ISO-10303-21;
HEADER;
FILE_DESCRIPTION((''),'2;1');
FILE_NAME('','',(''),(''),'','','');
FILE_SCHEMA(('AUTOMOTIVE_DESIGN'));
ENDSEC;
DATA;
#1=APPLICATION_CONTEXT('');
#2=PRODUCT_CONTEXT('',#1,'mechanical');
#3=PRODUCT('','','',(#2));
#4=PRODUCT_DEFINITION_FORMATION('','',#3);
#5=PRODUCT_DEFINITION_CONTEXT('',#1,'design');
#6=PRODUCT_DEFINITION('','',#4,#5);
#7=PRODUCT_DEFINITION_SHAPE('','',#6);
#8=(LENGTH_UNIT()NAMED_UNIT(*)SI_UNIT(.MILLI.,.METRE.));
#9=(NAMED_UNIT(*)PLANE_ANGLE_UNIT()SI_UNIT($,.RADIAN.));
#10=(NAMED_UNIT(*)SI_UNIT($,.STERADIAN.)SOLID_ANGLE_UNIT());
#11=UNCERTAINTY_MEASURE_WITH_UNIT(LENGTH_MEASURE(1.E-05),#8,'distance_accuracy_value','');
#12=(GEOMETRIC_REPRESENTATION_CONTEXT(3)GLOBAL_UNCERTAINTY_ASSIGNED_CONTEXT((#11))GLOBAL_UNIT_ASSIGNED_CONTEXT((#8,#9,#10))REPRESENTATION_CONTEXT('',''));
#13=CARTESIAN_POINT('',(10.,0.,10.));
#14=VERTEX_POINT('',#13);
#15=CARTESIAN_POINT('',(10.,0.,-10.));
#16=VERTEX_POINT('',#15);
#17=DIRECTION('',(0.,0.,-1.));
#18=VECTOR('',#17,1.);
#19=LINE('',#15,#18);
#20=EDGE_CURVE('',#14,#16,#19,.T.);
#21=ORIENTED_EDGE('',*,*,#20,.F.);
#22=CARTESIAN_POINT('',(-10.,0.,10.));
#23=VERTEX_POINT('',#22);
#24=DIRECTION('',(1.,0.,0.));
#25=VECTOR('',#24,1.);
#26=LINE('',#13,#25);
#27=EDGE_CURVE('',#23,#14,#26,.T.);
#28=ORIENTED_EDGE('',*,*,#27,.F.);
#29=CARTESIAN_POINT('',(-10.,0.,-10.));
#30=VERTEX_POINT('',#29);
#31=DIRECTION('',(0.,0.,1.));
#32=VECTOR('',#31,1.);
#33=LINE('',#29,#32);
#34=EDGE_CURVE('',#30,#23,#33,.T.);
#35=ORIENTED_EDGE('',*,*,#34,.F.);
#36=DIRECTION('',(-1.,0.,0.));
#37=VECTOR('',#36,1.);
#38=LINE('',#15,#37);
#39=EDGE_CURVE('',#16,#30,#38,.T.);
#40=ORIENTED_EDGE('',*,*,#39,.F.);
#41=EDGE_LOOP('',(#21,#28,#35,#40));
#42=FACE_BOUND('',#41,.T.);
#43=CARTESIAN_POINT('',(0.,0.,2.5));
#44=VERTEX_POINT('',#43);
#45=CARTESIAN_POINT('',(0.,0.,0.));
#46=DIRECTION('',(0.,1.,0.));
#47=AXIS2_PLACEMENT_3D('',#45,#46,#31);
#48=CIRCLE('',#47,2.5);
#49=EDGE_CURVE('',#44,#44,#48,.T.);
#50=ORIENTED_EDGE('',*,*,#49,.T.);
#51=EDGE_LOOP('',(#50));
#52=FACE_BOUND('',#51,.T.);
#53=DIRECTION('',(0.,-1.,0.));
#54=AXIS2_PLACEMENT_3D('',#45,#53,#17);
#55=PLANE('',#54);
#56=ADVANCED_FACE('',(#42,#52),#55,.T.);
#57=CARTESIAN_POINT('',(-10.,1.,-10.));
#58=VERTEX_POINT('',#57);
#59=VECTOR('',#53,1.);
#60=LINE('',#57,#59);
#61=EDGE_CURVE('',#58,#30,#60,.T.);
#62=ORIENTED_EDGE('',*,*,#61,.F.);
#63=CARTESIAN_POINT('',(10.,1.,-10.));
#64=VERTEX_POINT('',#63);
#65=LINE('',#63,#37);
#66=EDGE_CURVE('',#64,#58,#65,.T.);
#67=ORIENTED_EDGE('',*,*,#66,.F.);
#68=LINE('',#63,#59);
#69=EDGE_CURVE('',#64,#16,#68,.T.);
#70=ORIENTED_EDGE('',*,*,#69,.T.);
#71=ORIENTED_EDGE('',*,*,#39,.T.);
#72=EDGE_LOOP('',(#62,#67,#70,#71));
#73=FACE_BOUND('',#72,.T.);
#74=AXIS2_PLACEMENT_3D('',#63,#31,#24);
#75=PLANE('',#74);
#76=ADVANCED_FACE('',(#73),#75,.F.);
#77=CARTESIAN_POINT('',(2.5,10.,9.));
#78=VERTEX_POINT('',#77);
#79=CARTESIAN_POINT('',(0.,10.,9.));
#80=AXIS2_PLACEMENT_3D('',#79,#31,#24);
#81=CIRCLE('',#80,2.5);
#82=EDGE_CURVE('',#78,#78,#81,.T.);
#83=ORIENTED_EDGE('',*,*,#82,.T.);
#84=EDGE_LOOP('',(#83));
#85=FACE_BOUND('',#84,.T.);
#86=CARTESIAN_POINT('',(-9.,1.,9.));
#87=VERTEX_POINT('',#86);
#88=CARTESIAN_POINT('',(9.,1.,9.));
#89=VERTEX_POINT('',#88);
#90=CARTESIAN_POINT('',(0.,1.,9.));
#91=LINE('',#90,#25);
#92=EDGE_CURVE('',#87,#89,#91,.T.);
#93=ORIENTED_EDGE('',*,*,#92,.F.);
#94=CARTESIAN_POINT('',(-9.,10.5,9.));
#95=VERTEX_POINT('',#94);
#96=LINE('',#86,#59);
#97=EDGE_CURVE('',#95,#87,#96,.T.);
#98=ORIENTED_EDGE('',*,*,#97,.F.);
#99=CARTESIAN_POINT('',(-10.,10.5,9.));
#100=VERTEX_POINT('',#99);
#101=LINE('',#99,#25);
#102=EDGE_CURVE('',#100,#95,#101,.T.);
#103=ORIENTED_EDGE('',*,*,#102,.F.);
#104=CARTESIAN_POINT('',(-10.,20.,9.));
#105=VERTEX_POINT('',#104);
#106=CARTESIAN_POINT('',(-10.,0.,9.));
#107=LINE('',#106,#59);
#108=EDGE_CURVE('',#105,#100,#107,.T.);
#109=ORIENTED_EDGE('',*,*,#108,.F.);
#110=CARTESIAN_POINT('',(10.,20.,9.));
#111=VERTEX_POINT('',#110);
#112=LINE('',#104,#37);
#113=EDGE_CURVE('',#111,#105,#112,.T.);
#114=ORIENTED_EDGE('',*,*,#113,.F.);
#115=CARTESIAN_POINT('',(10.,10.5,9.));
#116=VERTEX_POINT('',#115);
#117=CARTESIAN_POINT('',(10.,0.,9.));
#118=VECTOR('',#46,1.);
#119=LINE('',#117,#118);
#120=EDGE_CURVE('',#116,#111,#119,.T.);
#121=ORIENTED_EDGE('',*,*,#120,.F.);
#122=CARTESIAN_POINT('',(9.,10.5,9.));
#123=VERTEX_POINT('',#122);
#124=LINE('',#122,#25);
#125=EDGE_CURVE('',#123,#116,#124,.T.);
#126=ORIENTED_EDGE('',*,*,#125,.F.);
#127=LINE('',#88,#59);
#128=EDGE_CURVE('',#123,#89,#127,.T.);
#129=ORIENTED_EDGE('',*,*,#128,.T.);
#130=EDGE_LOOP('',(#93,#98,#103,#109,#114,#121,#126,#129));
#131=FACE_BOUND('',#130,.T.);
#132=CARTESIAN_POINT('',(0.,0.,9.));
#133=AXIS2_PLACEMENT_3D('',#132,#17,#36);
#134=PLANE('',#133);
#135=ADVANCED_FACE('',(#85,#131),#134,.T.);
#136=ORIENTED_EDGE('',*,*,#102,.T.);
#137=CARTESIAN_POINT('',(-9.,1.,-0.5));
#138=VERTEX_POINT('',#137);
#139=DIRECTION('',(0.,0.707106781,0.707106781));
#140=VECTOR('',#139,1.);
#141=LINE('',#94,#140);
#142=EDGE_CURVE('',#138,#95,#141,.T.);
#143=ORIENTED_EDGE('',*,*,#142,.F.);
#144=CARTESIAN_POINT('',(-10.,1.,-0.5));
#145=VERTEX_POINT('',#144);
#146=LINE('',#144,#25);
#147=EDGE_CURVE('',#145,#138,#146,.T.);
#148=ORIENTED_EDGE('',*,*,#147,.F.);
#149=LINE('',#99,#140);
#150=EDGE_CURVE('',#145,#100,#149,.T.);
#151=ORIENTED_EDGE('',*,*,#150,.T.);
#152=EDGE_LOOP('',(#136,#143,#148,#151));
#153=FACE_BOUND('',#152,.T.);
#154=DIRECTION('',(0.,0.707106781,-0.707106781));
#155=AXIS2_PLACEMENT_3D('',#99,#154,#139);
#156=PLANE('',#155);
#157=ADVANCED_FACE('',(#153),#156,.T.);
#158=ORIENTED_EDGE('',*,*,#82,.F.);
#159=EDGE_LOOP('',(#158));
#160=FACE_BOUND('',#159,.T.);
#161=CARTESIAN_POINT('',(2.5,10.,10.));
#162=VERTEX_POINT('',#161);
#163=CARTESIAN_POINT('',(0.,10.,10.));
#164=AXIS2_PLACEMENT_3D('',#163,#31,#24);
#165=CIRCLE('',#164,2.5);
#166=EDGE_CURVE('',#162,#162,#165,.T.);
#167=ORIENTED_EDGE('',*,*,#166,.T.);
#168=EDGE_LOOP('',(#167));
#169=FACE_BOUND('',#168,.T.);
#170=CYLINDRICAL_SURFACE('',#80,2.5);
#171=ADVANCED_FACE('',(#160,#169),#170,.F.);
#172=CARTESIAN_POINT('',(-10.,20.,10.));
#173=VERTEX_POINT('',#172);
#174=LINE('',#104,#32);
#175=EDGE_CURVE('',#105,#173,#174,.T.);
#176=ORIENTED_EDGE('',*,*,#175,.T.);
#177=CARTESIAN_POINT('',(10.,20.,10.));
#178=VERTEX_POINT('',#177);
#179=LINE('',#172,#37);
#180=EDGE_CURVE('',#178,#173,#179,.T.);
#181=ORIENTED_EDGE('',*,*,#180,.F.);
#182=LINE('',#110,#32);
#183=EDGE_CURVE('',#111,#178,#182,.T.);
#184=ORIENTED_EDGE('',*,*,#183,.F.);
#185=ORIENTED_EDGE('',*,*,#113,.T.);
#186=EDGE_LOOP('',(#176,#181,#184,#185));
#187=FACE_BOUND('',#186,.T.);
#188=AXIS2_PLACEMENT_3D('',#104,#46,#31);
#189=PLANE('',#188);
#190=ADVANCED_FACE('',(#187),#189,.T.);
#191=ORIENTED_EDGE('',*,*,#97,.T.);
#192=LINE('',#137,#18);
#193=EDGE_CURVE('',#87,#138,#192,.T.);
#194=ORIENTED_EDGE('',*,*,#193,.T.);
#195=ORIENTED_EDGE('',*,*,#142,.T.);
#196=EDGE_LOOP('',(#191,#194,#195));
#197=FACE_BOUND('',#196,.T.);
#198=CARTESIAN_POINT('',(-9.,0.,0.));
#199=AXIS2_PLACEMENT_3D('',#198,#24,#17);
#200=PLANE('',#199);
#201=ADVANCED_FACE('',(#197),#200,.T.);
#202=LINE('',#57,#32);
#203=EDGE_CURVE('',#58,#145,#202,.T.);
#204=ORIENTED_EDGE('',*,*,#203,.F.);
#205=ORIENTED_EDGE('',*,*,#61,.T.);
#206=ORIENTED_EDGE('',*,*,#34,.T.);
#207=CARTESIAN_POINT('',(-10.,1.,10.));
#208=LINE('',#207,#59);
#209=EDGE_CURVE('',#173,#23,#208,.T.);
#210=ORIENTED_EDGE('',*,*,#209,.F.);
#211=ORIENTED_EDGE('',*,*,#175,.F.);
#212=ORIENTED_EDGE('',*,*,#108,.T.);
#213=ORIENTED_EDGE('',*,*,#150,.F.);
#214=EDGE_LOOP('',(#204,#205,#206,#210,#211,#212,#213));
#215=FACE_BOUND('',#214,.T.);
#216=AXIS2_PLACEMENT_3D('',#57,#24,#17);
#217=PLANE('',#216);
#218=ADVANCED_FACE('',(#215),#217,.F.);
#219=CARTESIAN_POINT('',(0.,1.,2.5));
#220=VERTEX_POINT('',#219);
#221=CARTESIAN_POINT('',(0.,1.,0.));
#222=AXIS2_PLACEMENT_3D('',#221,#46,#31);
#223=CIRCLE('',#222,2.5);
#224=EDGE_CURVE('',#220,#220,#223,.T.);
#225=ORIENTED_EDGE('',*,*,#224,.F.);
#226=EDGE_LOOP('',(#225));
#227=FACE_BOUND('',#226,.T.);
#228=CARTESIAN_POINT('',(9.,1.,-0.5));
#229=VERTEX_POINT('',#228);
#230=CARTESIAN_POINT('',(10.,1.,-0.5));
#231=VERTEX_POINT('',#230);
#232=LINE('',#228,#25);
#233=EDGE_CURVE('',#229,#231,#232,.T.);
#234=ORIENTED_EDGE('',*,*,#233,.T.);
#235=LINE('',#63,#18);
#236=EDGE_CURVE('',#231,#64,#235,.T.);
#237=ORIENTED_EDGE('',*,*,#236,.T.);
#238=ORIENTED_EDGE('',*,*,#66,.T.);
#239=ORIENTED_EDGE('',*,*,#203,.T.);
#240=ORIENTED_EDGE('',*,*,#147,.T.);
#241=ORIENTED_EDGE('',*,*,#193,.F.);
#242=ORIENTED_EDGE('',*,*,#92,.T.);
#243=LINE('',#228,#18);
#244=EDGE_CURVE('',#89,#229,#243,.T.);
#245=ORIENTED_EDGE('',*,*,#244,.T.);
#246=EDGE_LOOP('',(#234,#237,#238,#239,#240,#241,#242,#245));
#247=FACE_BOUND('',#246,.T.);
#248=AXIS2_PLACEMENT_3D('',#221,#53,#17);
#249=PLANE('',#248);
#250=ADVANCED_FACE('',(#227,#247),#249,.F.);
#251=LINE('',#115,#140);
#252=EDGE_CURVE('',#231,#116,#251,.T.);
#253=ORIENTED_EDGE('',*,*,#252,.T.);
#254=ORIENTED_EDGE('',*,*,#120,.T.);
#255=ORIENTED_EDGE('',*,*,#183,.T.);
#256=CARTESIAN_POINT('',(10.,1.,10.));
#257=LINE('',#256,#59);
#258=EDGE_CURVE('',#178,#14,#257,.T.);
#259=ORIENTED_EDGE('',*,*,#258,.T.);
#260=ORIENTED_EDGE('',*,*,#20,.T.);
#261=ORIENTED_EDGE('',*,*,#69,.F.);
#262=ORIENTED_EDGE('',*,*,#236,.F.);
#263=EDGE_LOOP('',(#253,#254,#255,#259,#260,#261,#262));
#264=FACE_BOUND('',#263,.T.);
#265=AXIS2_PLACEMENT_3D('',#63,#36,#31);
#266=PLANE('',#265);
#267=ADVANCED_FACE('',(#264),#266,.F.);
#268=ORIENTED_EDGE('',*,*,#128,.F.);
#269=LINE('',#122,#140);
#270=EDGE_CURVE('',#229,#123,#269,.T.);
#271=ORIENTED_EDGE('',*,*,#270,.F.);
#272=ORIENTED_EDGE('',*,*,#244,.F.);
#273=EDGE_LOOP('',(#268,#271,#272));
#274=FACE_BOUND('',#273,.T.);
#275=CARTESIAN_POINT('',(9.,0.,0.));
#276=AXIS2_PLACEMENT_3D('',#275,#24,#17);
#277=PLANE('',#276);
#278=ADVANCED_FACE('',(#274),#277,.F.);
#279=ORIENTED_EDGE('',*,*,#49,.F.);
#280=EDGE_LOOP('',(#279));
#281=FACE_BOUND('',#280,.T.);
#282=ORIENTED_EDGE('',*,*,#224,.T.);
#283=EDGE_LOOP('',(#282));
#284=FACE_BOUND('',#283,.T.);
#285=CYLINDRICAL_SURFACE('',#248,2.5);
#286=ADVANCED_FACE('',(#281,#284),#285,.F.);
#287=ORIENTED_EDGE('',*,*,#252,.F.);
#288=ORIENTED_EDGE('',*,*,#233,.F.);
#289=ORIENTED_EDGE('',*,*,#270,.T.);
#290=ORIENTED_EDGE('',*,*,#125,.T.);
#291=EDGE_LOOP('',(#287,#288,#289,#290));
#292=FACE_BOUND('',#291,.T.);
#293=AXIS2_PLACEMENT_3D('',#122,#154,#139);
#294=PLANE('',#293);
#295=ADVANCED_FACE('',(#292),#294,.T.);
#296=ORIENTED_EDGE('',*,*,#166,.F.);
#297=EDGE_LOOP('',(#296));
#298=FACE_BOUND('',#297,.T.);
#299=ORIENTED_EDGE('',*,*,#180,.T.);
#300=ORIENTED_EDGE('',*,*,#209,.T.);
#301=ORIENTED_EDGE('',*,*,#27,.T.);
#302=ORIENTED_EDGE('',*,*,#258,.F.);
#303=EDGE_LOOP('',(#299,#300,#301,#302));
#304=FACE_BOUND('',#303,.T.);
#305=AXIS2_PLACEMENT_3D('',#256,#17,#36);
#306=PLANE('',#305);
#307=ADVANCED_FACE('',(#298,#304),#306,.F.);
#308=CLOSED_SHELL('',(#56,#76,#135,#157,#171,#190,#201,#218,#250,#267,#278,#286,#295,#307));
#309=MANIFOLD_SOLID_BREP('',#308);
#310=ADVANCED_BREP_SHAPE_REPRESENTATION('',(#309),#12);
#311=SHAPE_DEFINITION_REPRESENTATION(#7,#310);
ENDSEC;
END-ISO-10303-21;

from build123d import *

# Parameters (mm, degrees)
SKETCH1_W           = 20
SKETCH1_H           = 20
SKETCH1_R           = 2.5
BOSS_EXTRUDE1_DEPTH = 1
SKETCH2_W           = 20
SKETCH2_H           = 20
SKETCH2_R           = 2.5
BOSS_EXTRUDE2_DEPTH = 1
BOSS_EXTRUDE3_DEPTH = 1
BOSS_EXTRUDE4_START = -19
BOSS_EXTRUDE4_DEPTH = 1


with BuildPart() as part:
    # Sketch1 → Boss-Extrude1 (new body)
    with BuildSketch(Plane(origin=(0, 0, 0), x_dir=(1, 0, 0), z_dir=(0, 1, 0))):
        Rectangle(SKETCH1_W, SKETCH1_H)
        Circle(SKETCH1_R, mode=Mode.SUBTRACT)
    extrude(amount=BOSS_EXTRUDE1_DEPTH)

    # Sketch2 → Boss-Extrude2 (add)
    with BuildSketch(Plane.XY.offset(10)):
        with Locations((0, 10)):
            Rectangle(SKETCH2_W, SKETCH2_H)
        with Locations((0, 10)):
            Circle(SKETCH2_R, mode=Mode.SUBTRACT)
    extrude(amount=-BOSS_EXTRUDE2_DEPTH)

    # Sketch3 → Boss-Extrude3 (add)
    with BuildSketch(Plane(origin=(10, 0, 0), x_dir=(0, 0, -1), z_dir=(1, 0, 0))):
        Polygon((-9, 10.5), (0.5, 1), (-9, 1), align=None)
    extrude(amount=-BOSS_EXTRUDE3_DEPTH)

    # Sketch3<2> → Boss-Extrude4 (add)
    with BuildSketch(Plane(origin=(10, 0, 0), x_dir=(0, 0, -1), z_dir=(1, 0, 0)).offset(BOSS_EXTRUDE4_START)):
        Polygon((-9, 10.5), (0.5, 1), (-9, 1), align=None)
    extrude(amount=-BOSS_EXTRUDE4_DEPTH)


solid = part.part
